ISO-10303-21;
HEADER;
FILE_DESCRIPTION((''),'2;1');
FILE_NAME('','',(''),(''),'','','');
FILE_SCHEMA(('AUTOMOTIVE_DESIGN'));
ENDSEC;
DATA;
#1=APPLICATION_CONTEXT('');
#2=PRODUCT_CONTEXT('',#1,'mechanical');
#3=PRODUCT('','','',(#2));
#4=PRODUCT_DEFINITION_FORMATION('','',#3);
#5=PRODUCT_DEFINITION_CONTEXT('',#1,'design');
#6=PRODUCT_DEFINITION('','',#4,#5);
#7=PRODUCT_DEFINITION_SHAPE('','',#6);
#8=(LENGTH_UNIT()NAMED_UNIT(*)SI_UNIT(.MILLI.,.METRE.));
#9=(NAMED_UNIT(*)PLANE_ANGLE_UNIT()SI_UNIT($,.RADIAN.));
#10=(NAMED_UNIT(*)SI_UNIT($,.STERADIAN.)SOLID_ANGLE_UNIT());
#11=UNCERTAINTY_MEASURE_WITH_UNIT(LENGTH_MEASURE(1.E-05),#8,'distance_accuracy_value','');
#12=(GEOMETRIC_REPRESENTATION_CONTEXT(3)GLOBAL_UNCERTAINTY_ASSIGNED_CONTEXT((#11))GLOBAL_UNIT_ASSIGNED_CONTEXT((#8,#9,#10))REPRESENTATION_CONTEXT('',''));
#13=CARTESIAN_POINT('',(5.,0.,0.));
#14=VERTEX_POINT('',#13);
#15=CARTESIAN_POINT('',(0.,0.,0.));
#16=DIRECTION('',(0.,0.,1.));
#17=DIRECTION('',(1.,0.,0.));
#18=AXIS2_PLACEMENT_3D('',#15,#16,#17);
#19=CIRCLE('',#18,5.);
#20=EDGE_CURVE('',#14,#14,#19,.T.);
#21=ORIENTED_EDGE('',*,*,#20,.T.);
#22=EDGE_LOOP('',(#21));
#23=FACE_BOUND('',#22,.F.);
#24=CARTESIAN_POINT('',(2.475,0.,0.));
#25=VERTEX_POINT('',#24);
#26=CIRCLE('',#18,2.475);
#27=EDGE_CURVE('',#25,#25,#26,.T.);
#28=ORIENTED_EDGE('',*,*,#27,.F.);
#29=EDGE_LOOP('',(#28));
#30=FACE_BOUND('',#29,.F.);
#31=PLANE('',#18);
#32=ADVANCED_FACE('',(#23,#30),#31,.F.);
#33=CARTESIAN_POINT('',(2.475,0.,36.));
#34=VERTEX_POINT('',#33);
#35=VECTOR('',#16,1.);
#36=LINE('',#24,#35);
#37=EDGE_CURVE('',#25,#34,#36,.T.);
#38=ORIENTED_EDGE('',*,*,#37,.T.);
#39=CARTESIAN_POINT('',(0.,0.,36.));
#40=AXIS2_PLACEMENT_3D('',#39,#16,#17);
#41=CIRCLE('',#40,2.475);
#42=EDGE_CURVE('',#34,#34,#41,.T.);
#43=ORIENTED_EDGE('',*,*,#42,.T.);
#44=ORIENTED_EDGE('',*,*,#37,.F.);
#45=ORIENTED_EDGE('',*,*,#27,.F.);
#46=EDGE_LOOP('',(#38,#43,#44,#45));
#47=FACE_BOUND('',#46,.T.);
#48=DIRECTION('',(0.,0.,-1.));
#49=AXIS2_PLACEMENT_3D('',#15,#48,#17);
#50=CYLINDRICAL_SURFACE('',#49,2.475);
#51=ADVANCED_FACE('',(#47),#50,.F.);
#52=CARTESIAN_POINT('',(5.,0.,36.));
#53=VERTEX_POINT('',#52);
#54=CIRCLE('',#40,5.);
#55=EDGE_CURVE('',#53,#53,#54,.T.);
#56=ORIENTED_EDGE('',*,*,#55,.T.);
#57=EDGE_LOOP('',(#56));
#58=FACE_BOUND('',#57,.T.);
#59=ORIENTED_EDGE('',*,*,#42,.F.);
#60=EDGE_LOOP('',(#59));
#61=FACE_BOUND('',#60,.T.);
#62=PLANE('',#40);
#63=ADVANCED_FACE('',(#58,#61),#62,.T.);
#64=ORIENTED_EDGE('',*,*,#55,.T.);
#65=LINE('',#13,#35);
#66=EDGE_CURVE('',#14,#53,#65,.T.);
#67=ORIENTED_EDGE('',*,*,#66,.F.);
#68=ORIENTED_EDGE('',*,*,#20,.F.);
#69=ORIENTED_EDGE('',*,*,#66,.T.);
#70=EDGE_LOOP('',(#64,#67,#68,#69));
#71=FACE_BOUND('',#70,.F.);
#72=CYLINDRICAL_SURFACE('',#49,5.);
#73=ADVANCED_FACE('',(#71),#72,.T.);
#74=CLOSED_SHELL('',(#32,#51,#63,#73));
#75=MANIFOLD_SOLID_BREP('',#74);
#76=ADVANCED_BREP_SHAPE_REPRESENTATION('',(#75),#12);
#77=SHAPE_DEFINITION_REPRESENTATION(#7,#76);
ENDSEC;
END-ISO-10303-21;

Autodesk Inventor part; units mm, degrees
ref_plane "YZ Plane" through (0, 0, 0) normal (1, 0, 0) x (0, 1, 0)
ref_plane "XZ Plane" through (0, 0, 0) normal (0, 1, 0) x (-1, 0, 0)
ref_plane "XY Plane" through (0, 0, 0) normal (0, 0, 1) x (1, 0, 0)
sketch "Sketch1" plane through (0, 0, 0) normal (0, 0, 1) x (1, 0, 0)
  circle A0 centre (0, 0) radius 2.475
  circle A1 centre (0, 0) radius 5
  dimension "d0" = 4.95
  dimension "d3" = 10
extrude "Extrusion1" add sketch "Sketch1" along normal blind 36
properties part number "Riser Mod"
